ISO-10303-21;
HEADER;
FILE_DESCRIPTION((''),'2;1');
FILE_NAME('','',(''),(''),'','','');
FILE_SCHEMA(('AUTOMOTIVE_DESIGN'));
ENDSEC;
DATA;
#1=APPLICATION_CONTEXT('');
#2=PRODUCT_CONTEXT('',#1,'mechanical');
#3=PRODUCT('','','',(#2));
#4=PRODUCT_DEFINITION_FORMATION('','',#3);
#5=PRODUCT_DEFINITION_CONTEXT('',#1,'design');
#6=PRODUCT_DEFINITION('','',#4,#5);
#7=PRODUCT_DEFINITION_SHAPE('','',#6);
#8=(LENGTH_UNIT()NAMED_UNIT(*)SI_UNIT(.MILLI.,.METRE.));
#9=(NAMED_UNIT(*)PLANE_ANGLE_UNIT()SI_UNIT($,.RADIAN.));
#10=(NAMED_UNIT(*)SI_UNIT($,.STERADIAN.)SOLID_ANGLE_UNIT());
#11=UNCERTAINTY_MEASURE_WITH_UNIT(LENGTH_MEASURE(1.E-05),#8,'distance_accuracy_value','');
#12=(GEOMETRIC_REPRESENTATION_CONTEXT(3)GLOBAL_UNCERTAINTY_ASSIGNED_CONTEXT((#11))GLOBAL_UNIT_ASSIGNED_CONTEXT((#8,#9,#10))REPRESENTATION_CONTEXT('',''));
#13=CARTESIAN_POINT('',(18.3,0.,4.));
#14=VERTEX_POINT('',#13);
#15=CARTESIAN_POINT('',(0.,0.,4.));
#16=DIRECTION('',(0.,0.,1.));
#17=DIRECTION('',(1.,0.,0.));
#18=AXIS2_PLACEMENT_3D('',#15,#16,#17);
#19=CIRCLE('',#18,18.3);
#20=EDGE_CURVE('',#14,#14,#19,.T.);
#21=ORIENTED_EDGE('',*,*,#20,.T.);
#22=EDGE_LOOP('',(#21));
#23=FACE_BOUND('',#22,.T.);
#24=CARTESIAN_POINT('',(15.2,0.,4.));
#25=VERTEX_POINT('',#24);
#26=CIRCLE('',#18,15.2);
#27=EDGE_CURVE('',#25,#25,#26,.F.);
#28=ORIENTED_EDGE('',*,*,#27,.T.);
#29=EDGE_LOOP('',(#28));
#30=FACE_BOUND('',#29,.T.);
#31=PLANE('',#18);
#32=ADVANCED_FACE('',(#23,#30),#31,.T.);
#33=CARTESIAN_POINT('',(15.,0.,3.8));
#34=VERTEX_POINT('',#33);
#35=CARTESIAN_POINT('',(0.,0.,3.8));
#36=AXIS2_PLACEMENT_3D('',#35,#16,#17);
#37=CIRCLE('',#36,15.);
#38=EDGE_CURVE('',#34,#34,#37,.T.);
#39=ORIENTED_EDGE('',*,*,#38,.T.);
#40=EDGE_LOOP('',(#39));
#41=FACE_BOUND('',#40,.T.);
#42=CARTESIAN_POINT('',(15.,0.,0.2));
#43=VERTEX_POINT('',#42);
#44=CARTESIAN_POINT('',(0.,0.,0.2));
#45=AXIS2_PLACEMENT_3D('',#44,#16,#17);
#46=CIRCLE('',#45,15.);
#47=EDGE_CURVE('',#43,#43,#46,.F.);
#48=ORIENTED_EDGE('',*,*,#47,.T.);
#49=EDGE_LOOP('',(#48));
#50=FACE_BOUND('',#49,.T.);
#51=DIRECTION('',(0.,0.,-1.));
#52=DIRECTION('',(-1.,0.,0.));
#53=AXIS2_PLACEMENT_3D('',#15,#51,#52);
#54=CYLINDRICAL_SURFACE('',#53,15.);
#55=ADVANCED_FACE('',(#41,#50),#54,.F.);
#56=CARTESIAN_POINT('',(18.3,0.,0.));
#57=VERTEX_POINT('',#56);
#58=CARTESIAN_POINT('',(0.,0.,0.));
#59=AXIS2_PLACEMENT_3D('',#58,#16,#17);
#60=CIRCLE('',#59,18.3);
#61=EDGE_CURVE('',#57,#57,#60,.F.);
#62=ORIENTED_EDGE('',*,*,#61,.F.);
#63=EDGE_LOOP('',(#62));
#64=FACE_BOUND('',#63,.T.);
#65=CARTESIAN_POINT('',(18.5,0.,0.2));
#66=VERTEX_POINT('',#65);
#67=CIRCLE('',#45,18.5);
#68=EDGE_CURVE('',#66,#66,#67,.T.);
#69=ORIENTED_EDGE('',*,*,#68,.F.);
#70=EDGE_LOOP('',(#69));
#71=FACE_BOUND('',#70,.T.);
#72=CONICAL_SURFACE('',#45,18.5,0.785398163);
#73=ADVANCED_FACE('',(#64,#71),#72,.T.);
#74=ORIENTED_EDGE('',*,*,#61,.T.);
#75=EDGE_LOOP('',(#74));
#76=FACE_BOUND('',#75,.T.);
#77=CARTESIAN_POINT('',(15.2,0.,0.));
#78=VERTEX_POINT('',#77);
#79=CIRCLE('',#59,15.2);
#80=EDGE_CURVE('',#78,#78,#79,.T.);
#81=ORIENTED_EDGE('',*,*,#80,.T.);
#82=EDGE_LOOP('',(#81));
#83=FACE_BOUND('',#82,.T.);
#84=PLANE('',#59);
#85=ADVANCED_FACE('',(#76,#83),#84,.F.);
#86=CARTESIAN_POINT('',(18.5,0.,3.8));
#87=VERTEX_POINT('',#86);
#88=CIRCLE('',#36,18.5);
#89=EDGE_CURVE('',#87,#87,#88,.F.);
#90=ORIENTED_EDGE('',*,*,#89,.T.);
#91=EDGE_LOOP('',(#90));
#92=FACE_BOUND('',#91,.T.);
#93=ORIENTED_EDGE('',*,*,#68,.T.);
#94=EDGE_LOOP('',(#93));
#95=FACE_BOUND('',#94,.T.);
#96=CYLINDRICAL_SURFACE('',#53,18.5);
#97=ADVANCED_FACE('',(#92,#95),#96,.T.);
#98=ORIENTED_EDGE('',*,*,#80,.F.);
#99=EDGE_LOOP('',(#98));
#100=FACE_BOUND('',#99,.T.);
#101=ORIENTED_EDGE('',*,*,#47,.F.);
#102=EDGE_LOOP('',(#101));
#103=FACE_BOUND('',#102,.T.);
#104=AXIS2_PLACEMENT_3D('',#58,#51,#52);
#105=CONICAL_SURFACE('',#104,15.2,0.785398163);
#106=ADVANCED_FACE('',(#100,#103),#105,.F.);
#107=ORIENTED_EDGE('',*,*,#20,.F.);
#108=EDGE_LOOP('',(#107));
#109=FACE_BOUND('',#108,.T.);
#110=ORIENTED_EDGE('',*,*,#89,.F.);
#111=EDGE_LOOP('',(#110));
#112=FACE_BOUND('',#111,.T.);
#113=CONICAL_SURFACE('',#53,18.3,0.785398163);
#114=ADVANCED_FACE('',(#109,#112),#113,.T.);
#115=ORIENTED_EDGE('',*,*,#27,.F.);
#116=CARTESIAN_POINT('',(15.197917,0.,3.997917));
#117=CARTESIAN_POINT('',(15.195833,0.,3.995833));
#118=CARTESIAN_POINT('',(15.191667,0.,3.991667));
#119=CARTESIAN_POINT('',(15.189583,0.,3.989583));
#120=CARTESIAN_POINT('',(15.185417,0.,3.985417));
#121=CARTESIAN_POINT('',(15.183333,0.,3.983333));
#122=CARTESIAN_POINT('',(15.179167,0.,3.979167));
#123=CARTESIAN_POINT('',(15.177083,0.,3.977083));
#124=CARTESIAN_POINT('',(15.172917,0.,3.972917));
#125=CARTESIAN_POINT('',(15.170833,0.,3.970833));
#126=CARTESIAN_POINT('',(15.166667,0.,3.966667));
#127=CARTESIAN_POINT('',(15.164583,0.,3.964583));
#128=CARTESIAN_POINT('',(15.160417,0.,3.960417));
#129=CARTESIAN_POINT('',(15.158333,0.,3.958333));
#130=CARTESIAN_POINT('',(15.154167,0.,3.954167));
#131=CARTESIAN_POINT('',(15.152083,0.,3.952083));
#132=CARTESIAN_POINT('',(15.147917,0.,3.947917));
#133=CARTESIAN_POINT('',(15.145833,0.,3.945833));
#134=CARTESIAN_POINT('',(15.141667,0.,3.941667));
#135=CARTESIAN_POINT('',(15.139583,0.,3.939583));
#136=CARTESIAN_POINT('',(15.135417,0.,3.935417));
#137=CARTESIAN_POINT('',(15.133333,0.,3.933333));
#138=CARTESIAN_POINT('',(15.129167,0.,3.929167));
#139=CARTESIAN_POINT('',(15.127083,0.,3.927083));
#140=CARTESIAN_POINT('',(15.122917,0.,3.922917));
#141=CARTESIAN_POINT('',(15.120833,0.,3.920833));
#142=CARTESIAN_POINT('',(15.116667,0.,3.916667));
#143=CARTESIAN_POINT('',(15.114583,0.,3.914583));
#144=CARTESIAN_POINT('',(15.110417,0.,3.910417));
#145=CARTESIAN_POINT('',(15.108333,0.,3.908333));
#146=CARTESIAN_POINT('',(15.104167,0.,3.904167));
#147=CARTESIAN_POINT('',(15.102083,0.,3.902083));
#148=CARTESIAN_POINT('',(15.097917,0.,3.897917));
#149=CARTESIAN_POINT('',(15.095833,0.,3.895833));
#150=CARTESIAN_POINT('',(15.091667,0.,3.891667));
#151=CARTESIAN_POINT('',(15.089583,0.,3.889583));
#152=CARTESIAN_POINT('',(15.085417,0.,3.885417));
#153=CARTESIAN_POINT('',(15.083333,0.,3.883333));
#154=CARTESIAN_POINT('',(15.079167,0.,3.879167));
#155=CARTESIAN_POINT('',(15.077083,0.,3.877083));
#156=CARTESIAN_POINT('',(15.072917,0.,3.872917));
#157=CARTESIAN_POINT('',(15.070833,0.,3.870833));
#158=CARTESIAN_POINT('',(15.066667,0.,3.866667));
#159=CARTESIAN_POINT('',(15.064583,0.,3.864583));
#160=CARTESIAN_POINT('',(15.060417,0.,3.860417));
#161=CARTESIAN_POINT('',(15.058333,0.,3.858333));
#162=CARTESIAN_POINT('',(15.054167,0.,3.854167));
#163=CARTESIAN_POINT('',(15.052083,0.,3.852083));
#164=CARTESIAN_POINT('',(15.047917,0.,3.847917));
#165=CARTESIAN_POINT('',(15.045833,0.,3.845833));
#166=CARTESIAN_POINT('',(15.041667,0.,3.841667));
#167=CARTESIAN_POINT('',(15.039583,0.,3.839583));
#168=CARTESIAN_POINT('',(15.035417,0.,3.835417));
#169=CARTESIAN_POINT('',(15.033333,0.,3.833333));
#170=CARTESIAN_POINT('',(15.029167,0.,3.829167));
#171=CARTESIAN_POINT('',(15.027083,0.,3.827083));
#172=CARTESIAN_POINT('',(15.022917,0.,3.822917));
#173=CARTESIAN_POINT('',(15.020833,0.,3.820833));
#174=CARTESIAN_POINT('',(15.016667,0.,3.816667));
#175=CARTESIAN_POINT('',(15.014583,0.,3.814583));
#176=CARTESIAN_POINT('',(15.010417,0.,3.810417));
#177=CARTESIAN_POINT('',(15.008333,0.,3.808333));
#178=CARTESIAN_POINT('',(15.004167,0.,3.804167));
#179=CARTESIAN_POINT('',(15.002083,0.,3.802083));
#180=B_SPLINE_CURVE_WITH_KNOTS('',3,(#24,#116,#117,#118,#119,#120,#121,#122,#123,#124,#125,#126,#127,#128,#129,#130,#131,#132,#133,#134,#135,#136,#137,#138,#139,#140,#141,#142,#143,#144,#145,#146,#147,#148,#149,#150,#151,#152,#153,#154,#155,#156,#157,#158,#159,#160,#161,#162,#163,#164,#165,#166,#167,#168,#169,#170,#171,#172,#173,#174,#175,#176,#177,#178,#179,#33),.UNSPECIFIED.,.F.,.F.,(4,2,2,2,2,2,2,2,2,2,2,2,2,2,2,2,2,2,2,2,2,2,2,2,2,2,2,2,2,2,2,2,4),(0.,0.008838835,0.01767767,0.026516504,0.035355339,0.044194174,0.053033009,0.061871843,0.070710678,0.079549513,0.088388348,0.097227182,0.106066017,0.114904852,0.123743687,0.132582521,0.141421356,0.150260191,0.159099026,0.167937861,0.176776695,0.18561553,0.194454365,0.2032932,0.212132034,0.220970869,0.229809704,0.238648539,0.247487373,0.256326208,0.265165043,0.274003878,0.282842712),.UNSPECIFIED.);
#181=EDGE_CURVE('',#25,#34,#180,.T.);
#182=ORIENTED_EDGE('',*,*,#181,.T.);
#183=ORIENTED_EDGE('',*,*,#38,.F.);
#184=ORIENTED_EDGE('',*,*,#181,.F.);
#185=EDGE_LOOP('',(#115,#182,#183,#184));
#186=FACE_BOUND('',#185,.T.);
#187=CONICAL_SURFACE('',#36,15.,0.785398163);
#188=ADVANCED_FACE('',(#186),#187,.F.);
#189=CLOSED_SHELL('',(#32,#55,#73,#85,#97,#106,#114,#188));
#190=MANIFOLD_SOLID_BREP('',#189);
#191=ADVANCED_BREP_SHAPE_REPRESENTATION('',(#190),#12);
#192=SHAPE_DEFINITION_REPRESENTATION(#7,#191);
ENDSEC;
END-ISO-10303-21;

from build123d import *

# Parameters (mm, degrees)
SKETCH_1_R      = 18.5
SKETCH_1_R_2    = 15
EXTRUDE_1_DEPTH = 4
CHAMFER_1_SIZE  = 0.2


with BuildPart() as part:
    # 草图1 → 凸台-拉伸1 (new body)
    with BuildSketch(Plane.XY):
        Circle(SKETCH_1_R)
        Circle(SKETCH_1_R_2, mode=Mode.SUBTRACT)
    extrude(amount=EXTRUDE_1_DEPTH)

    # 倒角1
    chamfer_1_edges = [part.edges().sort_by_distance(p)[0] for p in [
        (-18.5, 0, 0),
        (-18.5, 0, 4),
        (-15, 0, 0),
        (-15, 0, 4),
    ]]
    chamfer(chamfer_1_edges, length=CHAMFER_1_SIZE)


solid = part.part
